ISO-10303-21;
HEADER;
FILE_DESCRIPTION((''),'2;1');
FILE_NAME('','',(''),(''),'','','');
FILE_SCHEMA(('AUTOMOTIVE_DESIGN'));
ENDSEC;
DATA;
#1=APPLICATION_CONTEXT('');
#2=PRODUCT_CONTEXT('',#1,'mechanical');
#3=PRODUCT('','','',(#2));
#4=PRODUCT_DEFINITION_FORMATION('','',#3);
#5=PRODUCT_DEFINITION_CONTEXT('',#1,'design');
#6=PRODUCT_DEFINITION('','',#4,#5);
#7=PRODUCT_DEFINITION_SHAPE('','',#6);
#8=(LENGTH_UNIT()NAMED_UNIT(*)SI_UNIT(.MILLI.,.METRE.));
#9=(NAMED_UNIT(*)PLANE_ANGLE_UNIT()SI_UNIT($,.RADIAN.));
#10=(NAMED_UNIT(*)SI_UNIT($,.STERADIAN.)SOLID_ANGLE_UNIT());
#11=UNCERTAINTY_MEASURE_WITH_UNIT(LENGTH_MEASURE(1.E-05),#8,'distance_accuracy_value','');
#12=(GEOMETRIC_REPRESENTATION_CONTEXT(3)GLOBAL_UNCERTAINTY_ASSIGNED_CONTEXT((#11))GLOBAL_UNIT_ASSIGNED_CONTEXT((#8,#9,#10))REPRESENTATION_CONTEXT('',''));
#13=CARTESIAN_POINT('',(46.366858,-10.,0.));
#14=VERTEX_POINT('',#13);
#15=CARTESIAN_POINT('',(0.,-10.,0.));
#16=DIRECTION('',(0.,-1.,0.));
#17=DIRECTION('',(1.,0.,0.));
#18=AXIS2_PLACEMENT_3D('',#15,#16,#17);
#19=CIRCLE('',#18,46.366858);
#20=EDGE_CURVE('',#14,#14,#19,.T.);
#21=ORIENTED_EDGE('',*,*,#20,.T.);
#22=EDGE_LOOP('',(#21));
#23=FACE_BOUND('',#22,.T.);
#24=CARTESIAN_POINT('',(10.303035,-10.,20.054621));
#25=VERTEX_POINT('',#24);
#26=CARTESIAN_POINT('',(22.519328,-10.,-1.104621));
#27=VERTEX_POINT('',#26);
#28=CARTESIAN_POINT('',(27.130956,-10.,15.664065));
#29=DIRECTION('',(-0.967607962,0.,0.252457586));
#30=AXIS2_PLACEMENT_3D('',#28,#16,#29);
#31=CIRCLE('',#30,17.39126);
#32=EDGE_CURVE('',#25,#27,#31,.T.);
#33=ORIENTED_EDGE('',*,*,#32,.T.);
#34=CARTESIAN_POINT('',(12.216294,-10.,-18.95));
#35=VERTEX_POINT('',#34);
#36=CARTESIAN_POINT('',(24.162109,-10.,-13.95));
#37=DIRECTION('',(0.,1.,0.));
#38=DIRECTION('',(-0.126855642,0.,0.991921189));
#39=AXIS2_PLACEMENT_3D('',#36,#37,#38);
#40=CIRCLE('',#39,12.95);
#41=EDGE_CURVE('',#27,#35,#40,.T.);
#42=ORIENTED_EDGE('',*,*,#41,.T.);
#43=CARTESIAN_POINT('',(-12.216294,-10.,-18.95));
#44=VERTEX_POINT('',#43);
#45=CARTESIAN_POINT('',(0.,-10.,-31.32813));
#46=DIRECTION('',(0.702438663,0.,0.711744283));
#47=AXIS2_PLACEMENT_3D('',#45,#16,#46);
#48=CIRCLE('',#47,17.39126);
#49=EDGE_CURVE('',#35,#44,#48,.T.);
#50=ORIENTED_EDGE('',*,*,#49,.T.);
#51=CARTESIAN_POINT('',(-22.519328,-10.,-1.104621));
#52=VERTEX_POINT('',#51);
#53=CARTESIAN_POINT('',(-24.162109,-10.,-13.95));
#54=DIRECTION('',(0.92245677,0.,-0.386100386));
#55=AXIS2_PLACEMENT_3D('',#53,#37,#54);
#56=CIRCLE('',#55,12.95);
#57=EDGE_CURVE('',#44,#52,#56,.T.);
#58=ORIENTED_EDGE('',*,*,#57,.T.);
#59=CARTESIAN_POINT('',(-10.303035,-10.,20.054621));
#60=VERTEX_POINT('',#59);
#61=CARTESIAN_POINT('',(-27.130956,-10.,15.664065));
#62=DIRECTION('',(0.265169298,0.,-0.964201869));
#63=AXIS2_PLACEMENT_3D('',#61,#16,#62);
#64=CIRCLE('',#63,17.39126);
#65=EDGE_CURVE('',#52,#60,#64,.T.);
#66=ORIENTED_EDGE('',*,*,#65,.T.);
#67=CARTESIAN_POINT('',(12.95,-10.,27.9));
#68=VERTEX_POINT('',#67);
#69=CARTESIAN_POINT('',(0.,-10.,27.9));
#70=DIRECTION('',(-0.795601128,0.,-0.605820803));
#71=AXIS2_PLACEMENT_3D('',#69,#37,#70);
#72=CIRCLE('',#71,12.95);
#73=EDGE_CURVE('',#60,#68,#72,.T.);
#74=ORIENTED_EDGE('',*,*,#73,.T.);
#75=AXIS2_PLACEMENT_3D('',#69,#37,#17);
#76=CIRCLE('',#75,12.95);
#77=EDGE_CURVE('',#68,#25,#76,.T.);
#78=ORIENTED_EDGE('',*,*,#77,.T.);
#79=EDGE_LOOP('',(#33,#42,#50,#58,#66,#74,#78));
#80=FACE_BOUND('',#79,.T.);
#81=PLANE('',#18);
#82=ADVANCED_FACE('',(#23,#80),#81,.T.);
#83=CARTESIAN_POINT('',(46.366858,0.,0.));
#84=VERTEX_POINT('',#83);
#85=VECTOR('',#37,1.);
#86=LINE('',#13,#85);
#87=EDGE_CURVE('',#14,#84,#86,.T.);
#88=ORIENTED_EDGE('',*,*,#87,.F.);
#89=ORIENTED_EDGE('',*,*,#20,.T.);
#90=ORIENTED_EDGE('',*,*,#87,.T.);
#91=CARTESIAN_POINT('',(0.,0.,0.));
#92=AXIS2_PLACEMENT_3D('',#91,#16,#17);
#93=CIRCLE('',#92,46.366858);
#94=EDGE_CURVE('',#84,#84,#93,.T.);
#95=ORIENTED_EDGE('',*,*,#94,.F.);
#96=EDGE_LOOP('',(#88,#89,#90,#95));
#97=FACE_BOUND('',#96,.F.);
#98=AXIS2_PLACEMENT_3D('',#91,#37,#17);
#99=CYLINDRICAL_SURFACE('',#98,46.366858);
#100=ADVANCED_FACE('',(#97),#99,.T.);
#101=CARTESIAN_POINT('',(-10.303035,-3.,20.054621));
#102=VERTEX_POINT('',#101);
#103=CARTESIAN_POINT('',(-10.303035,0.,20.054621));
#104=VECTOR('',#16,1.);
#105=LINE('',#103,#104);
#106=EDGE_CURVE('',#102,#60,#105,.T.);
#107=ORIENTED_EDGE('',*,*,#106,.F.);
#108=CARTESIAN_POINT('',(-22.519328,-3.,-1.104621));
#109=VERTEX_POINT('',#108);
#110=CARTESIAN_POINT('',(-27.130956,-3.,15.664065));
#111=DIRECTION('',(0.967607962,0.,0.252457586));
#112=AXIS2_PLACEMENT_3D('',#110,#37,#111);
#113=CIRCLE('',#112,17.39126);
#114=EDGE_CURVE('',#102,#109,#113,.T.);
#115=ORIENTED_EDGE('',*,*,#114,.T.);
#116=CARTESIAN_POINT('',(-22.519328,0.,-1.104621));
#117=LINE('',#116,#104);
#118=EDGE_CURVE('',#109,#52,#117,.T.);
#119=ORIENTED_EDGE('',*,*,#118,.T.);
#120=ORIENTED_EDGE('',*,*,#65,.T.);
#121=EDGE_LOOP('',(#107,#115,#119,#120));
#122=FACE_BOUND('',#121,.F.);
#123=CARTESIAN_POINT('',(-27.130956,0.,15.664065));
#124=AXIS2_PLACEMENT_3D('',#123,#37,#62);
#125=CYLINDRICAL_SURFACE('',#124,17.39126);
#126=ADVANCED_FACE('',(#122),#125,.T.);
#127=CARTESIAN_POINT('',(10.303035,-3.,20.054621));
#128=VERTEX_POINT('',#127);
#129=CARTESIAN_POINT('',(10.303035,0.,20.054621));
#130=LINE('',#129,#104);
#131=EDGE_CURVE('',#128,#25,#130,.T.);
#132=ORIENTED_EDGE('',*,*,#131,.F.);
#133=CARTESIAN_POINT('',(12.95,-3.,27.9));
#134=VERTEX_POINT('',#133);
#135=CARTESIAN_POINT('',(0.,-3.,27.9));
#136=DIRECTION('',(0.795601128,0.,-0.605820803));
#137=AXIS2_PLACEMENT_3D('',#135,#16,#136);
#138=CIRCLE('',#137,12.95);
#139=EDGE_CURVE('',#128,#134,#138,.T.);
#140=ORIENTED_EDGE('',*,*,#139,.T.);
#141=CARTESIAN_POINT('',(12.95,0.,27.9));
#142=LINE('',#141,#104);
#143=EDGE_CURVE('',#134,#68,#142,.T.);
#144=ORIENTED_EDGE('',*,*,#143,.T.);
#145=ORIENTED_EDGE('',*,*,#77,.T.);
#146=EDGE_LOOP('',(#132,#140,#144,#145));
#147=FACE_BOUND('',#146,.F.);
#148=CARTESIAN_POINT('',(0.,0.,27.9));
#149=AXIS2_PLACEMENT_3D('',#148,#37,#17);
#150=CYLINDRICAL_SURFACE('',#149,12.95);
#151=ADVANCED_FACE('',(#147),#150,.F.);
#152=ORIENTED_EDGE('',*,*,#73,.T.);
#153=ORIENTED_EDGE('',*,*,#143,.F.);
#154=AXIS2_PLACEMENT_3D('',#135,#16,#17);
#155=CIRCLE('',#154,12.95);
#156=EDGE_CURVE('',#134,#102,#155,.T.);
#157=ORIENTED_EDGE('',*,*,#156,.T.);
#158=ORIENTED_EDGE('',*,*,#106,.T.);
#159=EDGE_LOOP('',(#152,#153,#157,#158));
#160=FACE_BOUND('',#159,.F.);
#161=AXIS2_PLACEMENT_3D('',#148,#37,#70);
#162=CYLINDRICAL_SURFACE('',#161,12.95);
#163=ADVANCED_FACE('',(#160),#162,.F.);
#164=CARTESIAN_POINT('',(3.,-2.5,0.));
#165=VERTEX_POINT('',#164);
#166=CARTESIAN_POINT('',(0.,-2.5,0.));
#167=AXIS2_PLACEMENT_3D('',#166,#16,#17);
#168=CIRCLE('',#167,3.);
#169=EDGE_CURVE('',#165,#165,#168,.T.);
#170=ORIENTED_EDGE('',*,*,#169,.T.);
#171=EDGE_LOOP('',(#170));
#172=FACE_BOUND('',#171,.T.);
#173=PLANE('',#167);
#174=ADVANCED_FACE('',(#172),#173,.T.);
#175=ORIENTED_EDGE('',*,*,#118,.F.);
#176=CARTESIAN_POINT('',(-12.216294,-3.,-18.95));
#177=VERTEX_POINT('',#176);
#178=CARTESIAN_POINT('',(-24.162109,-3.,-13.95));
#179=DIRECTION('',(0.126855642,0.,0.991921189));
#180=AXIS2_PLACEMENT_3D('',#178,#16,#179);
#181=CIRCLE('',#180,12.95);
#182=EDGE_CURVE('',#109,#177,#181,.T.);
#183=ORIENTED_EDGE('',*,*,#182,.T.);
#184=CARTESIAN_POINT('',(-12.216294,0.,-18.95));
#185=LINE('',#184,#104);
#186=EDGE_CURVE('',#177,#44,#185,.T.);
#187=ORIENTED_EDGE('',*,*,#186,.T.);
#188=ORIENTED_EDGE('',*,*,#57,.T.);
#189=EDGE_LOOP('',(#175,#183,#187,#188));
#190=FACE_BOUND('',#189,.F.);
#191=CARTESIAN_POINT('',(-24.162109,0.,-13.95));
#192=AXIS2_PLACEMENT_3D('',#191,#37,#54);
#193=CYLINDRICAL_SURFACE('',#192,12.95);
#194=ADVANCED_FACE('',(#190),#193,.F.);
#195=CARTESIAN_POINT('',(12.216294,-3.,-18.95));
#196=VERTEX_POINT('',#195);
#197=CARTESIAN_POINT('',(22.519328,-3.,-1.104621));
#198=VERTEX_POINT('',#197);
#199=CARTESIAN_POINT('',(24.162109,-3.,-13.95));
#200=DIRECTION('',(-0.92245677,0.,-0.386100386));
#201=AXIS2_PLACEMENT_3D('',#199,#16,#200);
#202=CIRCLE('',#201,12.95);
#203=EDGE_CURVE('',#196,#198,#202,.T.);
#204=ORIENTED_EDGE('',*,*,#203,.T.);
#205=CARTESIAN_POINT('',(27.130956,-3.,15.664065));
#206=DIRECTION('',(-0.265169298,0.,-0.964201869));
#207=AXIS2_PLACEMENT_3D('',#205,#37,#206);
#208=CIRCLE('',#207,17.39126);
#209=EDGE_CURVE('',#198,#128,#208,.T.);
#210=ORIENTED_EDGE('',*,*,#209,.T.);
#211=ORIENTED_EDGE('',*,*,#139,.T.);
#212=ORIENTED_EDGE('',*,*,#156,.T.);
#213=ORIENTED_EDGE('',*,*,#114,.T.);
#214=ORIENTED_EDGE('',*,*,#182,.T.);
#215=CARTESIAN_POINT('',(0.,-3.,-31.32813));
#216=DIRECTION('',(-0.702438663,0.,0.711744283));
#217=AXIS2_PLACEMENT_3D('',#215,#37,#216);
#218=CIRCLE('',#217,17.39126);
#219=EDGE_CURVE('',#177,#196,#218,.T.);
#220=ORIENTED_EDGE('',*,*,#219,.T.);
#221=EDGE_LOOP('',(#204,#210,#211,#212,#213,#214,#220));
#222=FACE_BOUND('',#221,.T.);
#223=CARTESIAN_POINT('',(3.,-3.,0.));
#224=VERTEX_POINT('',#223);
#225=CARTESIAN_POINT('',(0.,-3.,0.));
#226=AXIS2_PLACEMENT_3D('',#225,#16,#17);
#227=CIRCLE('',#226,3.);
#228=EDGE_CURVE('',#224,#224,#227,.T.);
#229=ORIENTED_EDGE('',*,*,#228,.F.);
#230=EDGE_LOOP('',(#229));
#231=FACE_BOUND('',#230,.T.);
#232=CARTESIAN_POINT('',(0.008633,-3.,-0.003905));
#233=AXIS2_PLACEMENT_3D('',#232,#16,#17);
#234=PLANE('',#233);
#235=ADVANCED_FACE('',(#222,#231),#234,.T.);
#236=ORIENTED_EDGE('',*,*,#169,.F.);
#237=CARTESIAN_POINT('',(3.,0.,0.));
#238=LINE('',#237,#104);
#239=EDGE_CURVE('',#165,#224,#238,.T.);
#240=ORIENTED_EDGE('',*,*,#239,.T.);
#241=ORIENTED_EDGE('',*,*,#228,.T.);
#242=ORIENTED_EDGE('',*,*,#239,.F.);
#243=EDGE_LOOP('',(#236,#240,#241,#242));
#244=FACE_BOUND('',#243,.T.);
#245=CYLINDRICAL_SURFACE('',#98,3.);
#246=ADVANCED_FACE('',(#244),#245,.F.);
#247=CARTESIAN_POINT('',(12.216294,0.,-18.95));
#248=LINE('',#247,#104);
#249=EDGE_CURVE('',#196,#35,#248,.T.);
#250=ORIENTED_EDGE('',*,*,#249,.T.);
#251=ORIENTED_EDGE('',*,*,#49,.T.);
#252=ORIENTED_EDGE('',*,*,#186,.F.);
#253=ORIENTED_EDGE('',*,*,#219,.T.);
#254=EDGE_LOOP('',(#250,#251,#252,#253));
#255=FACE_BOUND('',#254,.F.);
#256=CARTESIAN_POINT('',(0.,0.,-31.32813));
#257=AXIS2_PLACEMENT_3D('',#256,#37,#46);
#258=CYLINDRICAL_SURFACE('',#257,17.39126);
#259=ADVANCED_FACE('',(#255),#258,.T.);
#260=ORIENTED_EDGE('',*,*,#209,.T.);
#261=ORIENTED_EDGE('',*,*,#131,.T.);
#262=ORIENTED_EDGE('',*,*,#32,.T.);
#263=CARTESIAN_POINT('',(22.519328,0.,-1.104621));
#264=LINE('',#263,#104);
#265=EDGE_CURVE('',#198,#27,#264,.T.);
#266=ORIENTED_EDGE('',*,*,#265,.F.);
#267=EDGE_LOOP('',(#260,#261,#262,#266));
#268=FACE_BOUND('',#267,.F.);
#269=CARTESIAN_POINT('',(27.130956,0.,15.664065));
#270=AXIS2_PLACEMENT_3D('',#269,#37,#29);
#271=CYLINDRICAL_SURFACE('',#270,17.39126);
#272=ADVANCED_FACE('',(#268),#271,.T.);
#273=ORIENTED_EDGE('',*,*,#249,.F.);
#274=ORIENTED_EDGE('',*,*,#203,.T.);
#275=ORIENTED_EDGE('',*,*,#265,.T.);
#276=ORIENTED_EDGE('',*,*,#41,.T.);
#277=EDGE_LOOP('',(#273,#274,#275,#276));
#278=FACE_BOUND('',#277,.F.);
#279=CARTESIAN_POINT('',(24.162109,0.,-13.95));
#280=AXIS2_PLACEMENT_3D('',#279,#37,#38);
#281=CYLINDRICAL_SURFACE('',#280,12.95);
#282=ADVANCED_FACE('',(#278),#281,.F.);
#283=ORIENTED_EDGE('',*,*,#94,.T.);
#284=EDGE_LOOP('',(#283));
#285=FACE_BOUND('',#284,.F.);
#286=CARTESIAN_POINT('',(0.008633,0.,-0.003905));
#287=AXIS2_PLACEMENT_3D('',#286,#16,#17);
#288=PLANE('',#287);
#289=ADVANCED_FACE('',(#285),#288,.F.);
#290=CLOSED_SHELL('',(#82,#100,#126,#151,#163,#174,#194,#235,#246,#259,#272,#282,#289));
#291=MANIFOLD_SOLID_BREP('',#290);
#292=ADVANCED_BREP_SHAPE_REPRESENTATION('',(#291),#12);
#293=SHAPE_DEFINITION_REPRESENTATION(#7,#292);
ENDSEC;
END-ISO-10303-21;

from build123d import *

# Parameters (mm, degrees)
F0_R     = 46.3668582169
F1_DEPTH = 10
F0_R_2   = 12.95
F0_R_3   = 10.95
F0_R_4   = 3
F2_DEPTH = 3
F0_R_5   = 2.5
F3_DEPTH = 2.5


with BuildPart() as f1:
    # F0 (on Front) → F1 (new body)
    with BuildSketch(Plane.XZ):
        Circle(F0_R)
        with BuildLine():
            ThreePointArc((-10.3030346023, 20.0546205966), (-4.1399397278, 40.1704278267), (12.95, 27.9))
            ThreePointArc((12.95, 27.9), (12.2704278267, 23.7600602722), (10.3030346023, 20.0546205966))
            ThreePointArc((10.3030346023, 20.0546205966), (12.0696833018, 6.9684349033), (22.5193282011, -1.1046205966))
            ThreePointArc((22.5193282011, -1.1046205966), (32.7186411149, -4.2294931122), (37.1121087656, -13.95))
            ThreePointArc((37.1121087656, -13.95), (26.7120297045, -26.6464720771), (12.2162935988, -18.95))
            ThreePointArc((12.2162935988, -18.95), (0, -13.9368698067), (-12.2162935988, -18.95))
            ThreePointArc((-12.2162935988, -18.95), (-35.3771377446, -20.425), (-22.5193282011, -1.1046205966))
            ThreePointArc((-22.5193282011, -1.1046205966), (-12.0696833018, 6.9684349033), (-10.3030346023, 20.0546205966))
        make_face(mode=Mode.SUBTRACT)
    extrude(amount=F1_DEPTH)

    # F0 (on Front) → F2 (join)
    with BuildSketch(Plane.XZ):
        with BuildLine():
            ThreePointArc((10.3030346023, 20.0546205966), (0, 14.95), (-10.3030346023, 20.0546205966))
            ThreePointArc((-10.3030346023, 20.0546205966), (-12.0696833018, 6.9684349033), (-22.5193282011, -1.1046205966))
            ThreePointArc((-22.5193282011, -1.1046205966), (-14.4416018778, -5.3934676507), (-11.2121087656, -13.95))
            ThreePointArc((-11.2121087656, -13.95), (-11.4656366885, -16.4999209389), (-12.2162935988, -18.95))
            ThreePointArc((-12.2162935988, -18.95), (0, -13.9368698067), (12.2162935988, -18.95))
            ThreePointArc((12.2162935988, -18.95), (12.9470797866, -7.475), (22.5193282011, -1.1046205966))
            ThreePointArc((22.5193282011, -1.1046205966), (12.0696833018, 6.9684349033), (10.3030346023, 20.0546205966))
        make_face()
        Circle(F0_R_2, mode=Mode.SUBTRACT)
        Circle(F0_R_2)
        Circle(F0_R_3, mode=Mode.SUBTRACT)
        with BuildLine():
            ThreePointArc((10.3030346023, 20.0546205966), (12.2704278267, 23.7600602722), (12.95, 27.9))
            ThreePointArc((12.95, 27.9), (-4.1399397278, 40.1704278267), (-10.3030346023, 20.0546205966))
            ThreePointArc((-10.3030346023, 20.0546205966), (0, 14.95), (10.3030346023, 20.0546205966))
        make_face()
        with Locations((0, 27.9)):
            Circle(F0_R_3, mode=Mode.SUBTRACT)
        with BuildLine():
            ThreePointArc((37.1121087656, -13.95), (32.7186411149, -4.2294931122), (22.5193282011, -1.1046205966))
            ThreePointArc((22.5193282011, -1.1046205966), (12.9470797866, -7.475), (12.2162935988, -18.95))
            ThreePointArc((12.2162935988, -18.95), (26.7120297045, -26.6464720771), (37.1121087656, -13.95))
        make_face()
        with Locations((24.1621087656, -13.95)):
            Circle(F0_R_3, mode=Mode.SUBTRACT)
        with BuildLine():
            ThreePointArc((-11.2121087656, -13.95), (-14.4416018778, -5.3934676507), (-22.5193282011, -1.1046205966))
            ThreePointArc((-22.5193282011, -1.1046205966), (-35.3771377446, -20.425), (-12.2162935988, -18.95))
            ThreePointArc((-12.2162935988, -18.95), (-11.4656366885, -16.4999209389), (-11.2121087656, -13.95))
        make_face()
        with Locations((-24.1621087656, -13.95)):
            Circle(F0_R_3, mode=Mode.SUBTRACT)
        Circle(F0_R_3)
        Circle(F0_R_4, mode=Mode.SUBTRACT)
        with Locations((0, 27.9)):
            Circle(F0_R_3)
        with Locations((24.1621087656, -13.95)):
            Circle(F0_R_3)
        with Locations((-24.1621087656, -13.95)):
            Circle(F0_R_3)
    extrude(amount=F2_DEPTH)

    # F0 (on Front) → F3 (join)
    with BuildSketch(Plane.XZ):
        Circle(F0_R)
        with BuildLine():
            ThreePointArc((-10.3030346023, 20.0546205966), (-4.1399397278, 40.1704278267), (12.95, 27.9))
            ThreePointArc((12.95, 27.9), (12.2704278267, 23.7600602722), (10.3030346023, 20.0546205966))
            ThreePointArc((10.3030346023, 20.0546205966), (12.0696833018, 6.9684349033), (22.5193282011, -1.1046205966))
            ThreePointArc((22.5193282011, -1.1046205966), (32.7186411149, -4.2294931122), (37.1121087656, -13.95))
            ThreePointArc((37.1121087656, -13.95), (26.7120297045, -26.6464720771), (12.2162935988, -18.95))
            ThreePointArc((12.2162935988, -18.95), (0, -13.9368698067), (-12.2162935988, -18.95))
            ThreePointArc((-12.2162935988, -18.95), (-35.3771377446, -20.425), (-22.5193282011, -1.1046205966))
            ThreePointArc((-22.5193282011, -1.1046205966), (-12.0696833018, 6.9684349033), (-10.3030346023, 20.0546205966))
        make_face(mode=Mode.SUBTRACT)
        Circle(F0_R_4)
        Circle(F0_R_5, mode=Mode.SUBTRACT)
        Circle(F0_R_5)
    extrude(amount=F3_DEPTH)


solid = f1.part
